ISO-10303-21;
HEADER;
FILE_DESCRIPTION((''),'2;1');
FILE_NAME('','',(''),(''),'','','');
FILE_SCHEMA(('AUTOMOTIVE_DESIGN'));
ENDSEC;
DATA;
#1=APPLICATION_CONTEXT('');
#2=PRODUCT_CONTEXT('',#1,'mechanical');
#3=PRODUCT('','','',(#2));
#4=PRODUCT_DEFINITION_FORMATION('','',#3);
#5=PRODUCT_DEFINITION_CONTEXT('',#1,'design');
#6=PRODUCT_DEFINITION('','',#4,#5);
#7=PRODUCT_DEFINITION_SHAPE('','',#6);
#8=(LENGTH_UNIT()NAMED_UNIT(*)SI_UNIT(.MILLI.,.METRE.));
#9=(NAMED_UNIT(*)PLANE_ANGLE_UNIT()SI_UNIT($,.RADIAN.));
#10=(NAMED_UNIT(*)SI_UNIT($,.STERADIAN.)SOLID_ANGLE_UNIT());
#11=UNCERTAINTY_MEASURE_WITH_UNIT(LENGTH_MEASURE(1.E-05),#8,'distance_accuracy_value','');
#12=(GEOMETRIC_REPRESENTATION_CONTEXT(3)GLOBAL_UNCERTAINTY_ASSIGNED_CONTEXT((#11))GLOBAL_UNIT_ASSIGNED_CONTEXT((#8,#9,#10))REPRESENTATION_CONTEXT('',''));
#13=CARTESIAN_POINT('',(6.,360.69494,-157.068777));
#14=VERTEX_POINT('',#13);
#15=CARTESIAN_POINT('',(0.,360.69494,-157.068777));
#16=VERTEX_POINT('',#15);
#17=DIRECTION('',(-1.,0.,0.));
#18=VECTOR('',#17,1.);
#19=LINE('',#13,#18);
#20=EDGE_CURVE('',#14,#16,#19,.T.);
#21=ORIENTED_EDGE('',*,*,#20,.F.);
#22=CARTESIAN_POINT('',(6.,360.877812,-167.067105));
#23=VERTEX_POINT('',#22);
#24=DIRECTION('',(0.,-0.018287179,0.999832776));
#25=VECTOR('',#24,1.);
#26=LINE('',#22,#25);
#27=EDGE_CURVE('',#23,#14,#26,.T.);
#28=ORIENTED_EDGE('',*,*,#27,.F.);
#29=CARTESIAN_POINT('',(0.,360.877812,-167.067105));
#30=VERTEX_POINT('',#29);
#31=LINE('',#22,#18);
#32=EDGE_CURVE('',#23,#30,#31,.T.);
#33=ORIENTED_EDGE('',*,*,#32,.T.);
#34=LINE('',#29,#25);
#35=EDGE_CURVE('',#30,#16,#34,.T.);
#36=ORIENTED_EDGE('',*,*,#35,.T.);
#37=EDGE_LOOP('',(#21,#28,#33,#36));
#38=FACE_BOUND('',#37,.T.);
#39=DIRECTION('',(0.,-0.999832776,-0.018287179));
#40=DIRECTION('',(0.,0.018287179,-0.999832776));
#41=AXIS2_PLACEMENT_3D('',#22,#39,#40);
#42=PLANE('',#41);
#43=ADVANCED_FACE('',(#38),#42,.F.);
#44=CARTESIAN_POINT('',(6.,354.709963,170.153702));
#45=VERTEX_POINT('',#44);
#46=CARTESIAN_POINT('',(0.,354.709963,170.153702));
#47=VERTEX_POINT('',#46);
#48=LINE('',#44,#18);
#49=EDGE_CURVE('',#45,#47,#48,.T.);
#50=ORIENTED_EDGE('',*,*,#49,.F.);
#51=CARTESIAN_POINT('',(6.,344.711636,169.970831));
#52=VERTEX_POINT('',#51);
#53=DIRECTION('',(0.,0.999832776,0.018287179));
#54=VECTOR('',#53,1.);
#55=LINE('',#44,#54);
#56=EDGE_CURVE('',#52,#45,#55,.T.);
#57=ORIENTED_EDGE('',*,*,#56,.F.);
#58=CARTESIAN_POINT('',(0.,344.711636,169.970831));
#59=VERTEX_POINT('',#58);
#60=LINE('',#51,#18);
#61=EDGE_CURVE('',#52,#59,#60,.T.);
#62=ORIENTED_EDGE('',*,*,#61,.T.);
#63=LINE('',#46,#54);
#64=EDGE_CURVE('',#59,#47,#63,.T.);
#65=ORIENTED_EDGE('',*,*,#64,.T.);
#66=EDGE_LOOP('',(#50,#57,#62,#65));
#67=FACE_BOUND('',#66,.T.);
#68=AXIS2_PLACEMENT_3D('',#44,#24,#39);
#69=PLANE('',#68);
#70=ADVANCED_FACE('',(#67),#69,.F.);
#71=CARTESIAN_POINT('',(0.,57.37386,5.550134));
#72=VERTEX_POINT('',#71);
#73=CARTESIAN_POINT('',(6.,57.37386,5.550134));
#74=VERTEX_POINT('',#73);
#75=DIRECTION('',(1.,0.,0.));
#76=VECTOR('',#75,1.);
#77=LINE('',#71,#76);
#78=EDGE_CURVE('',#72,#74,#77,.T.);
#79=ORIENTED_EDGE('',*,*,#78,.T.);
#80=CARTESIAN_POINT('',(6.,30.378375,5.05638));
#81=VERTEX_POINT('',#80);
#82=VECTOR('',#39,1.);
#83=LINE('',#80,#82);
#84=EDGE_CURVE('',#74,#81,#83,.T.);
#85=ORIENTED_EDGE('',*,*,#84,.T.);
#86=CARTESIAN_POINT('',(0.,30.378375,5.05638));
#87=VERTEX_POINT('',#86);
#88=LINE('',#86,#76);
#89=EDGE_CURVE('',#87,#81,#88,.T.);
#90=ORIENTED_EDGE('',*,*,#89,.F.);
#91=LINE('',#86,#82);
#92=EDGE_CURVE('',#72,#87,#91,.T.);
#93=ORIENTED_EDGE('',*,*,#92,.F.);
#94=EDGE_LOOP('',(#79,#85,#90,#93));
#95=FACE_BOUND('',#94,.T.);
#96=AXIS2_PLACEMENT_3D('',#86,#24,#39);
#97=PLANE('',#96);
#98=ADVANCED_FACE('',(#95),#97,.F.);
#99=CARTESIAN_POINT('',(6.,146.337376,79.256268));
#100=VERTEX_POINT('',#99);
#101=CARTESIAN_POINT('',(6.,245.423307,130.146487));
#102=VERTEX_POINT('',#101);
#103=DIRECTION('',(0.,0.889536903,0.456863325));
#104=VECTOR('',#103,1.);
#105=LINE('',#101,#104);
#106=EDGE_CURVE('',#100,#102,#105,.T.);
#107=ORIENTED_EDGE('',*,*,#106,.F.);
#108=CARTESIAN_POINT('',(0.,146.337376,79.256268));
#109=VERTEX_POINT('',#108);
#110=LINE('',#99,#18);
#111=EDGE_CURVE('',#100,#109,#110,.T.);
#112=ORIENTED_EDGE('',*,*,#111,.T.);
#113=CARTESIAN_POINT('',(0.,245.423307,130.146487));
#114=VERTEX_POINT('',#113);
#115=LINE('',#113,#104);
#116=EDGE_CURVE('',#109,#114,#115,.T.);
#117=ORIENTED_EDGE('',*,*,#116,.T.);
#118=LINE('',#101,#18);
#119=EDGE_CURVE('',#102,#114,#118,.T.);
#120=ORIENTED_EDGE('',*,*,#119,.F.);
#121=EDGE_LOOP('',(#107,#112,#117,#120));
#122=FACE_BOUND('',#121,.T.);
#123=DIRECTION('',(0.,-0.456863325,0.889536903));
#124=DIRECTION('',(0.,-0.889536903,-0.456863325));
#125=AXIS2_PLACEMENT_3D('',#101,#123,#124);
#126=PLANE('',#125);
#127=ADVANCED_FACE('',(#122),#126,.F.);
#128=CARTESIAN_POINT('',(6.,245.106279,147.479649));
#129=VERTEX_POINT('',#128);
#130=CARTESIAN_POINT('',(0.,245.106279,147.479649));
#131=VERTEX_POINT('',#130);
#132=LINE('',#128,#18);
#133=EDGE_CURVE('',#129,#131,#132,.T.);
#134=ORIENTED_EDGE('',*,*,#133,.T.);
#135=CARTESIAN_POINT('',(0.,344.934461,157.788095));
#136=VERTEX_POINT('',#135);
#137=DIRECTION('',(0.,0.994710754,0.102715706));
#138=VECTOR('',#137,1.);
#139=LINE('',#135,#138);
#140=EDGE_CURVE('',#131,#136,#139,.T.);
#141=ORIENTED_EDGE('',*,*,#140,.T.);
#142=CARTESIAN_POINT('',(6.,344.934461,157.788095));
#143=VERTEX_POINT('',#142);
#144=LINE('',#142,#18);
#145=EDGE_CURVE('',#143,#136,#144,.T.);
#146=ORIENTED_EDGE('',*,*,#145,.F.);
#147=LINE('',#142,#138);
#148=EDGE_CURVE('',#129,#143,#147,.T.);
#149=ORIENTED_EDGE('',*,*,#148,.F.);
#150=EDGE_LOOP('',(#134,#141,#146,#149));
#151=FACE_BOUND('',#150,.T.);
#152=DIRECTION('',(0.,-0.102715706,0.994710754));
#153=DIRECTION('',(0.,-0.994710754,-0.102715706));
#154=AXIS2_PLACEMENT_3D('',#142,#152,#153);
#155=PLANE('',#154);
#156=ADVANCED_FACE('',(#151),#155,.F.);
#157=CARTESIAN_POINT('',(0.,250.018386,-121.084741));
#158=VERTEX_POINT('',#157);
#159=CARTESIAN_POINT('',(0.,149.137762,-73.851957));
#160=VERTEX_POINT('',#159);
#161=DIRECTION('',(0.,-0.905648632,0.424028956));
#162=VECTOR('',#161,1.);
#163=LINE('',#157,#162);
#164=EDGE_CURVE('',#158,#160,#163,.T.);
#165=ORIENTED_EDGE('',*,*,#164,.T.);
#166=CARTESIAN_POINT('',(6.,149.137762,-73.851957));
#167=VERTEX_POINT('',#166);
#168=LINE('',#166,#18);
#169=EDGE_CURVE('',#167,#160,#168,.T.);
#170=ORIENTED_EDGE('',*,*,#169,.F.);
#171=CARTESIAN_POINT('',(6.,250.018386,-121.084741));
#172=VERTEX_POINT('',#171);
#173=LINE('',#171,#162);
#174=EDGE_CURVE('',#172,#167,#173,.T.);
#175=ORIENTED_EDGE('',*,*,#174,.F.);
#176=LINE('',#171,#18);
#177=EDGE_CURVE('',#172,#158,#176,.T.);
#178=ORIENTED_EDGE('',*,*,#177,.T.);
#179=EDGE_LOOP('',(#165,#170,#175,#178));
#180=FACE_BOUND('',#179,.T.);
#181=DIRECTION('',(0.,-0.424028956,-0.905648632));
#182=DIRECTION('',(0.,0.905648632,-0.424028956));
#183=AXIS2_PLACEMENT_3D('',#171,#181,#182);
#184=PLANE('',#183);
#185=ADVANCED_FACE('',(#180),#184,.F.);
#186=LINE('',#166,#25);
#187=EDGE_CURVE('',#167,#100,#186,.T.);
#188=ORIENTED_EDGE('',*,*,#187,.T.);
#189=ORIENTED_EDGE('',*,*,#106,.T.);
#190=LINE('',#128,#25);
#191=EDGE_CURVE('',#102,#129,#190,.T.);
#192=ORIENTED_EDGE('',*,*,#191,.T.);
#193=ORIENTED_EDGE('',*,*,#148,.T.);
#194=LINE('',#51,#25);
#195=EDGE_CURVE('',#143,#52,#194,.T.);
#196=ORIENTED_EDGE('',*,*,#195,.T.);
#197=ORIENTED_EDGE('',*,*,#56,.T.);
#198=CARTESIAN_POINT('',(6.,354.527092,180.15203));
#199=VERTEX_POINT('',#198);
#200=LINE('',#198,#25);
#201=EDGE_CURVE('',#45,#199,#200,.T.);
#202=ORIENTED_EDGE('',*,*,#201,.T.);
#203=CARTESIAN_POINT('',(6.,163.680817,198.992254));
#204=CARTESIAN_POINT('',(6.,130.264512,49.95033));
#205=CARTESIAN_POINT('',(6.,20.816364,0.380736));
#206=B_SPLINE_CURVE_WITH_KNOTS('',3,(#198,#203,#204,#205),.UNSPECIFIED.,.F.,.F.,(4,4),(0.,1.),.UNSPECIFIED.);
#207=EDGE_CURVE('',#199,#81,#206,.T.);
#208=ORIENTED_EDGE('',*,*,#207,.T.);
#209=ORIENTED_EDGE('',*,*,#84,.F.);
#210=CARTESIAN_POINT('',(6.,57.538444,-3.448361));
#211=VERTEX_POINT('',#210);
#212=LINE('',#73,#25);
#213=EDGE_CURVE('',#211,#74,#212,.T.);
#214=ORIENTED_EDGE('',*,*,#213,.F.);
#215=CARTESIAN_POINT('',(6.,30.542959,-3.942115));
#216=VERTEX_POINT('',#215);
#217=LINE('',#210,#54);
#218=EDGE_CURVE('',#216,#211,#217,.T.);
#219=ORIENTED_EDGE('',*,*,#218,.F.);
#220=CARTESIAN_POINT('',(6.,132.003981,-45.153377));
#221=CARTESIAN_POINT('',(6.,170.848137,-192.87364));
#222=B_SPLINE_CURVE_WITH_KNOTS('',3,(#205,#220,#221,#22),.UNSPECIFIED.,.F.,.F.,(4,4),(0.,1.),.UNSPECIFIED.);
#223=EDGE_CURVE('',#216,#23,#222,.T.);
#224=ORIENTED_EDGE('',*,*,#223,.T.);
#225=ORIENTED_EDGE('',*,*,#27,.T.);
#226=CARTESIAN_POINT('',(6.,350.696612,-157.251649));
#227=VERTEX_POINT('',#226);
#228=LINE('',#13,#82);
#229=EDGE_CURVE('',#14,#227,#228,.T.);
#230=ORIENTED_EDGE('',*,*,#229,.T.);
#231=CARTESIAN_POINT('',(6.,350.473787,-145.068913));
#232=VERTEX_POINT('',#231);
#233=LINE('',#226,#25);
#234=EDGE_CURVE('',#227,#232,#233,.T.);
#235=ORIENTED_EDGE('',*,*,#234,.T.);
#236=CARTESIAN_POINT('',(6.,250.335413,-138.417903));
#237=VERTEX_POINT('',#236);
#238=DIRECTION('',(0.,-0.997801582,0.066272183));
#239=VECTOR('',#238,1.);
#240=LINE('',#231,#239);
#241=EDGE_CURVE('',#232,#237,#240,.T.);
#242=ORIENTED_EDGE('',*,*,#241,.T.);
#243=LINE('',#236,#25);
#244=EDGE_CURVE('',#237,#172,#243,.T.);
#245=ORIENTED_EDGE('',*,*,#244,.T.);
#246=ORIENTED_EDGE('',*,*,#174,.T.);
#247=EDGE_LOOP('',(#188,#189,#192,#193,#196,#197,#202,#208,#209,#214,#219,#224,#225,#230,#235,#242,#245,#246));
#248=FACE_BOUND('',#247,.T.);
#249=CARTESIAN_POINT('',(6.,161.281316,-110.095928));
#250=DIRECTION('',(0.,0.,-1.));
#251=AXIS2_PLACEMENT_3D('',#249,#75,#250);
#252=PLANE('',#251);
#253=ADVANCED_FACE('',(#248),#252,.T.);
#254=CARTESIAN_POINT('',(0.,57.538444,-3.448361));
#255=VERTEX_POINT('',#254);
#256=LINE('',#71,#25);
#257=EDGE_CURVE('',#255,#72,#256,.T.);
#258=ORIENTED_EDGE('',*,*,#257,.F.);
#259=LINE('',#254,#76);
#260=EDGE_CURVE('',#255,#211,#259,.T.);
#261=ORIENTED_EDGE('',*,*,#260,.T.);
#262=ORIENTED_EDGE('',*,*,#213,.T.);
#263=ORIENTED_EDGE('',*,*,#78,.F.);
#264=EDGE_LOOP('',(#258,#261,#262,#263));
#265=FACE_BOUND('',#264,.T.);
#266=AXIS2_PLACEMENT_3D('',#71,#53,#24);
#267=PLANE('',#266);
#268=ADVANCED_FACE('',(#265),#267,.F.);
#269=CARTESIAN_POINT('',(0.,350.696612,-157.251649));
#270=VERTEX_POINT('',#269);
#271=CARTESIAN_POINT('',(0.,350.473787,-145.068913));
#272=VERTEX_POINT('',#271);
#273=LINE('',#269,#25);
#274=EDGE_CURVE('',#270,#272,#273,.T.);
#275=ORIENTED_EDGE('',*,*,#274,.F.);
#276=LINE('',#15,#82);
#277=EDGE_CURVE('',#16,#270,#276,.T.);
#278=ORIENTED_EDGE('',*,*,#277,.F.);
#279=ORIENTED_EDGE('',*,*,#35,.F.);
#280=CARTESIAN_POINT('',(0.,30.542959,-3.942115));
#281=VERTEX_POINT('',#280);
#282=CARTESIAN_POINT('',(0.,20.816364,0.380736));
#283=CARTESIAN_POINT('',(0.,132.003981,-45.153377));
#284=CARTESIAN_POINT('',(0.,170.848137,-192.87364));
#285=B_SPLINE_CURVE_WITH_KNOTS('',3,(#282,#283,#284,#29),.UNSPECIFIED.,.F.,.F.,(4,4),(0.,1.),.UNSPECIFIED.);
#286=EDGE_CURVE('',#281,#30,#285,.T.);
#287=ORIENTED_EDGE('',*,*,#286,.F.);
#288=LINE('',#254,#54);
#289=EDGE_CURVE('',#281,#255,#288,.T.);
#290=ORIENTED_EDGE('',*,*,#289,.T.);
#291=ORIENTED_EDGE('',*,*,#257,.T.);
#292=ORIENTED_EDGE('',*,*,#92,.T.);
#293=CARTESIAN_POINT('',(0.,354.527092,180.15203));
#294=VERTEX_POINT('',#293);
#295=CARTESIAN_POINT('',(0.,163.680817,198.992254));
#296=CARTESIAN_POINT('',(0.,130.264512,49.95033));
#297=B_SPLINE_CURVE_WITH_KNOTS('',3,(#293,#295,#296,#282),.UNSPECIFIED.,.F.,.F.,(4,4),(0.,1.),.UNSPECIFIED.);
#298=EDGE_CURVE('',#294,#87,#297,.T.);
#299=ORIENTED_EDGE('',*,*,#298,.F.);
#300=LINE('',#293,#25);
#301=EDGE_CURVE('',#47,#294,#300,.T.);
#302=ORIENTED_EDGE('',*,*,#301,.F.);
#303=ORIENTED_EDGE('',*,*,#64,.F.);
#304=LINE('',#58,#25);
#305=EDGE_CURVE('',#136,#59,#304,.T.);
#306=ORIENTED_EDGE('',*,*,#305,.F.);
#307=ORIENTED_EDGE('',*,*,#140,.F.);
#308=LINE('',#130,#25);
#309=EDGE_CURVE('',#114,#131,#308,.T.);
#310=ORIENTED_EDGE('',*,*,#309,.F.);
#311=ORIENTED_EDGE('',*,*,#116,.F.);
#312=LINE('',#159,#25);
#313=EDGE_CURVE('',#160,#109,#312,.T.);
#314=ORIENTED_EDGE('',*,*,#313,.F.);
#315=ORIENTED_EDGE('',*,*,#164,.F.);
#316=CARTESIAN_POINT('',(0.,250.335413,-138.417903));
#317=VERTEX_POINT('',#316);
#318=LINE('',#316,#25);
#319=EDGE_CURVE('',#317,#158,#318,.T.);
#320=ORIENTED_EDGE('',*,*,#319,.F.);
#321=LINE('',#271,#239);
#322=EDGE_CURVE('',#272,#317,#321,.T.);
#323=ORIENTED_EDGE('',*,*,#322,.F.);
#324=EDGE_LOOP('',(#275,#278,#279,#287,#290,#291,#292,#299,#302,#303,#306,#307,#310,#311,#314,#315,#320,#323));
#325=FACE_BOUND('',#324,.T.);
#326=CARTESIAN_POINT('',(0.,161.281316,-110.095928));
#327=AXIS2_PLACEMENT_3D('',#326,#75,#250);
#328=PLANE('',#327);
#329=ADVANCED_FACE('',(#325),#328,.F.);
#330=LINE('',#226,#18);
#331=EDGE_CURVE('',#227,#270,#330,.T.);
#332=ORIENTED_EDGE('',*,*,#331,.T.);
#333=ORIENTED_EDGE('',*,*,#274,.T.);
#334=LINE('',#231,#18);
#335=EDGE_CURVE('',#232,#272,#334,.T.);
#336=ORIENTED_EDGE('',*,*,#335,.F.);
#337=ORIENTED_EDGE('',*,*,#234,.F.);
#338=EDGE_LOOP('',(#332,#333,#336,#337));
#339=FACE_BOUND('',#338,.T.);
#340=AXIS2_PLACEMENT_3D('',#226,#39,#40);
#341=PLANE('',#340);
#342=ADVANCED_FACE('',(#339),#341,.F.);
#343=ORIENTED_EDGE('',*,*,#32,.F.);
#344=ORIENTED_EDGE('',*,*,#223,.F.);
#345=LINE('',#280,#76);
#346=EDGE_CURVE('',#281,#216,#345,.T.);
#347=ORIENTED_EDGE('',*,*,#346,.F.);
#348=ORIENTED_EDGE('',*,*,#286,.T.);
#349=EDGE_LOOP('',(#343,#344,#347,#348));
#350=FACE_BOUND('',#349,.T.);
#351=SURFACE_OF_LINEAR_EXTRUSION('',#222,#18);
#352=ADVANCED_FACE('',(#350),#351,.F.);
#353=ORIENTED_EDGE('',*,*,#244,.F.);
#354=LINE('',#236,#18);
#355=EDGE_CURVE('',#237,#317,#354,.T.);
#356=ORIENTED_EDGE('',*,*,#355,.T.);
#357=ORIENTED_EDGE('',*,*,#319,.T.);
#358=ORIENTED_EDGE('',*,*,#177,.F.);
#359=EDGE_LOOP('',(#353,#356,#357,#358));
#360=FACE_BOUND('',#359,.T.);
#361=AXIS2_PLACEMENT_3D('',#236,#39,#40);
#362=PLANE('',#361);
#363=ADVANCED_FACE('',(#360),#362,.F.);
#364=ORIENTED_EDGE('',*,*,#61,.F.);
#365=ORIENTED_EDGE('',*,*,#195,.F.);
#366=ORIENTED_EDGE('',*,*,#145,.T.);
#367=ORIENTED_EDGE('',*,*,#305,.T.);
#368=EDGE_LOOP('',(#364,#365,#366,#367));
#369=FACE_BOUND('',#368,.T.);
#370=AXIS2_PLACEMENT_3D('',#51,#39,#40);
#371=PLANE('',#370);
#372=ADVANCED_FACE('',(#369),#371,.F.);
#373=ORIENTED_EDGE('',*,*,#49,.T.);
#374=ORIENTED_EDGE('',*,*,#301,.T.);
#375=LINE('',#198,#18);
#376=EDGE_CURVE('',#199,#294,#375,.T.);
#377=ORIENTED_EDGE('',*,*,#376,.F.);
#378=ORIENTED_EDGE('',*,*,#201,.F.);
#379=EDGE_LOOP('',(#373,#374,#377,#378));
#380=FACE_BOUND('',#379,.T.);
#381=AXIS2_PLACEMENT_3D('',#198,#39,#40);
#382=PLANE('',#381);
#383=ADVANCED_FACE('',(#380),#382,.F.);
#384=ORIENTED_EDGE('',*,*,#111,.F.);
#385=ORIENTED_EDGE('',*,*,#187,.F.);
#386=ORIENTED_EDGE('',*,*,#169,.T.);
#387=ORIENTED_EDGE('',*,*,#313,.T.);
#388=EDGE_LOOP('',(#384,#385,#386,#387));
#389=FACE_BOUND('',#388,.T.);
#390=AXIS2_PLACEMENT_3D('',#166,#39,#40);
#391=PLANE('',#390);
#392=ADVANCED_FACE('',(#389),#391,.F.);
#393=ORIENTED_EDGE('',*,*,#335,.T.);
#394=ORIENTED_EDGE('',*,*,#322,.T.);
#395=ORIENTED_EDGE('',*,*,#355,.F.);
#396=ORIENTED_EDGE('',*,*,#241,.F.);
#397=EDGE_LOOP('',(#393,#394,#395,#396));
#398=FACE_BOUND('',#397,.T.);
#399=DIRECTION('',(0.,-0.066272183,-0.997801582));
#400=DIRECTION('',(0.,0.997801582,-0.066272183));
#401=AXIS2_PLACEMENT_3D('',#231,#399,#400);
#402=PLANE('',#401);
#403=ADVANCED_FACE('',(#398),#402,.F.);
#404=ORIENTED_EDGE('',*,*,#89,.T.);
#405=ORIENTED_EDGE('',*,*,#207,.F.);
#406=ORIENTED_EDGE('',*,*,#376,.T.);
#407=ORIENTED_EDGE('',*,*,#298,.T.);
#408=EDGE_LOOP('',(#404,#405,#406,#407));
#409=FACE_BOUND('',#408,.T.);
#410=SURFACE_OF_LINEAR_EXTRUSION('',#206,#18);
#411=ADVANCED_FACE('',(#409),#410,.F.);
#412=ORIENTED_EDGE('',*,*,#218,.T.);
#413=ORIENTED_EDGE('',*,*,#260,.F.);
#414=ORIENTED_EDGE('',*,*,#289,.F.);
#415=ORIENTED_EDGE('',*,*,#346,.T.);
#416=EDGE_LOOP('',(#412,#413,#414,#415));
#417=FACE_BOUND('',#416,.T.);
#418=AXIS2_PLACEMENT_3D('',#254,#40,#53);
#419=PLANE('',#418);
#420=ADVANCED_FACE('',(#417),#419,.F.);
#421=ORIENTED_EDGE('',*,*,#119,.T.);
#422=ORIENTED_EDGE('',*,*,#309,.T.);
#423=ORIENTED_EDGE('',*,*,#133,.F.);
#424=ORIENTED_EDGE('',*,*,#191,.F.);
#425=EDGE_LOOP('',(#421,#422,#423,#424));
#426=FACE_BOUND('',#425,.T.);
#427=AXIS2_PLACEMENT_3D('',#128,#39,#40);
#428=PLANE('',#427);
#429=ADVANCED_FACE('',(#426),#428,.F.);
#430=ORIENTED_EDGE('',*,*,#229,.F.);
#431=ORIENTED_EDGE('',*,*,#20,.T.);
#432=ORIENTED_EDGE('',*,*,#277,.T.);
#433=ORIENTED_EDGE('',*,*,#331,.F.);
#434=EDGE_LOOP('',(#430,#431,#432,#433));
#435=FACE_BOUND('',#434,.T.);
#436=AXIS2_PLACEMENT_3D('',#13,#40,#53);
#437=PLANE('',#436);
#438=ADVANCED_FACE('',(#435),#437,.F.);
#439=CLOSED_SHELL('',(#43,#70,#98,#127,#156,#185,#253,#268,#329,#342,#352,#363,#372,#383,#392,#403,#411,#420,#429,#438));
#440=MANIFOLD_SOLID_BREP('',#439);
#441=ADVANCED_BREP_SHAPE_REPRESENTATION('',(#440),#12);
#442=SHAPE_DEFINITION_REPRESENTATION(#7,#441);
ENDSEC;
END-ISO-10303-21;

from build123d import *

# Parameters (mm, degrees)
BOSS_EXTRU_3_DEPTH      = 6
ENL_V_MAT_EXTRU_1_DEPTH = 6


with BuildPart() as part:
    # Esquisse2 → Boss.-Extru.3 (new body)
    with BuildSketch(Plane(origin=(0, 0, 0), x_dir=(0, 0, -1), z_dir=(1, 0, 0))):
        with BuildLine():
            Line((167.067104912, 360.877811952), (157.068777156, 360.694940166))
            Line((157.068777156, 360.694940166), (157.251648942, 350.696612411))
            Line((157.251648942, 350.696612411), (145.068912969, 350.473787281))
            Line((145.068912969, 350.473787281), (138.417902672, 250.335413485))
            Line((138.417902672, 250.335413485), (121.08474079, 250.018385844))
            Line((121.08474079, 250.018385844), (73.851957421, 149.137761795))
            Line((73.851957421, 149.137761795), (-79.256267761, 146.337376049))
            Line((-79.256267761, 146.337376049), (-130.146486842, 245.423307114))
            Line((-130.146486842, 245.423307114), (-147.479648725, 245.106279473))
            Line((-147.479648725, 245.106279473), (-157.788094735, 344.934460791))
            Line((-157.788094735, 344.934460791), (-169.970830707, 344.711635661))
            Line((-169.970830707, 344.711635661), (-170.153702493, 354.709963417))
            Line((-170.153702493, 354.709963417), (-180.152030248, 354.527091631))
            add(Edge.make_bspline(
                [(-180.152030248, 354.527091631), (-198.992254162, 163.680816755), (-49.950329985, 130.264512108), (-0.380736229, 20.816363718)],
                knots=[0, 0, 0, 0, 1, 1, 1, 1], degree=3))
            add(Edge.make_bspline(
                [(167.067104912, 360.877811952), (192.87364027, 170.848136891), (45.153377044, 132.003981462), (-0.380736229, 20.816363718)],
                knots=[0, 0, 0, 0, 1, 1, 1, 1], degree=3))
        make_face()
    extrude(amount=BOSS_EXTRU_3_DEPTH)

    # Esquisse3 → Enlèv. mat.-Extru.1 (cut)
    with BuildSketch(Plane(origin=(6, 0, 0), x_dir=(0, 0, -1), z_dir=(1, 0, 0))):
        Polygon((-5.056380315, 30.378374814), (-5.550134136, 57.373859755), (3.448360844, 57.538444362), (3.942114665, 30.542959421), (18.308003546, 10.935985813), (-13.114984321, 12.641103372), align=None)
    extrude(amount=-ENL_V_MAT_EXTRU_1_DEPTH, mode=Mode.SUBTRACT)


solid = part.part
